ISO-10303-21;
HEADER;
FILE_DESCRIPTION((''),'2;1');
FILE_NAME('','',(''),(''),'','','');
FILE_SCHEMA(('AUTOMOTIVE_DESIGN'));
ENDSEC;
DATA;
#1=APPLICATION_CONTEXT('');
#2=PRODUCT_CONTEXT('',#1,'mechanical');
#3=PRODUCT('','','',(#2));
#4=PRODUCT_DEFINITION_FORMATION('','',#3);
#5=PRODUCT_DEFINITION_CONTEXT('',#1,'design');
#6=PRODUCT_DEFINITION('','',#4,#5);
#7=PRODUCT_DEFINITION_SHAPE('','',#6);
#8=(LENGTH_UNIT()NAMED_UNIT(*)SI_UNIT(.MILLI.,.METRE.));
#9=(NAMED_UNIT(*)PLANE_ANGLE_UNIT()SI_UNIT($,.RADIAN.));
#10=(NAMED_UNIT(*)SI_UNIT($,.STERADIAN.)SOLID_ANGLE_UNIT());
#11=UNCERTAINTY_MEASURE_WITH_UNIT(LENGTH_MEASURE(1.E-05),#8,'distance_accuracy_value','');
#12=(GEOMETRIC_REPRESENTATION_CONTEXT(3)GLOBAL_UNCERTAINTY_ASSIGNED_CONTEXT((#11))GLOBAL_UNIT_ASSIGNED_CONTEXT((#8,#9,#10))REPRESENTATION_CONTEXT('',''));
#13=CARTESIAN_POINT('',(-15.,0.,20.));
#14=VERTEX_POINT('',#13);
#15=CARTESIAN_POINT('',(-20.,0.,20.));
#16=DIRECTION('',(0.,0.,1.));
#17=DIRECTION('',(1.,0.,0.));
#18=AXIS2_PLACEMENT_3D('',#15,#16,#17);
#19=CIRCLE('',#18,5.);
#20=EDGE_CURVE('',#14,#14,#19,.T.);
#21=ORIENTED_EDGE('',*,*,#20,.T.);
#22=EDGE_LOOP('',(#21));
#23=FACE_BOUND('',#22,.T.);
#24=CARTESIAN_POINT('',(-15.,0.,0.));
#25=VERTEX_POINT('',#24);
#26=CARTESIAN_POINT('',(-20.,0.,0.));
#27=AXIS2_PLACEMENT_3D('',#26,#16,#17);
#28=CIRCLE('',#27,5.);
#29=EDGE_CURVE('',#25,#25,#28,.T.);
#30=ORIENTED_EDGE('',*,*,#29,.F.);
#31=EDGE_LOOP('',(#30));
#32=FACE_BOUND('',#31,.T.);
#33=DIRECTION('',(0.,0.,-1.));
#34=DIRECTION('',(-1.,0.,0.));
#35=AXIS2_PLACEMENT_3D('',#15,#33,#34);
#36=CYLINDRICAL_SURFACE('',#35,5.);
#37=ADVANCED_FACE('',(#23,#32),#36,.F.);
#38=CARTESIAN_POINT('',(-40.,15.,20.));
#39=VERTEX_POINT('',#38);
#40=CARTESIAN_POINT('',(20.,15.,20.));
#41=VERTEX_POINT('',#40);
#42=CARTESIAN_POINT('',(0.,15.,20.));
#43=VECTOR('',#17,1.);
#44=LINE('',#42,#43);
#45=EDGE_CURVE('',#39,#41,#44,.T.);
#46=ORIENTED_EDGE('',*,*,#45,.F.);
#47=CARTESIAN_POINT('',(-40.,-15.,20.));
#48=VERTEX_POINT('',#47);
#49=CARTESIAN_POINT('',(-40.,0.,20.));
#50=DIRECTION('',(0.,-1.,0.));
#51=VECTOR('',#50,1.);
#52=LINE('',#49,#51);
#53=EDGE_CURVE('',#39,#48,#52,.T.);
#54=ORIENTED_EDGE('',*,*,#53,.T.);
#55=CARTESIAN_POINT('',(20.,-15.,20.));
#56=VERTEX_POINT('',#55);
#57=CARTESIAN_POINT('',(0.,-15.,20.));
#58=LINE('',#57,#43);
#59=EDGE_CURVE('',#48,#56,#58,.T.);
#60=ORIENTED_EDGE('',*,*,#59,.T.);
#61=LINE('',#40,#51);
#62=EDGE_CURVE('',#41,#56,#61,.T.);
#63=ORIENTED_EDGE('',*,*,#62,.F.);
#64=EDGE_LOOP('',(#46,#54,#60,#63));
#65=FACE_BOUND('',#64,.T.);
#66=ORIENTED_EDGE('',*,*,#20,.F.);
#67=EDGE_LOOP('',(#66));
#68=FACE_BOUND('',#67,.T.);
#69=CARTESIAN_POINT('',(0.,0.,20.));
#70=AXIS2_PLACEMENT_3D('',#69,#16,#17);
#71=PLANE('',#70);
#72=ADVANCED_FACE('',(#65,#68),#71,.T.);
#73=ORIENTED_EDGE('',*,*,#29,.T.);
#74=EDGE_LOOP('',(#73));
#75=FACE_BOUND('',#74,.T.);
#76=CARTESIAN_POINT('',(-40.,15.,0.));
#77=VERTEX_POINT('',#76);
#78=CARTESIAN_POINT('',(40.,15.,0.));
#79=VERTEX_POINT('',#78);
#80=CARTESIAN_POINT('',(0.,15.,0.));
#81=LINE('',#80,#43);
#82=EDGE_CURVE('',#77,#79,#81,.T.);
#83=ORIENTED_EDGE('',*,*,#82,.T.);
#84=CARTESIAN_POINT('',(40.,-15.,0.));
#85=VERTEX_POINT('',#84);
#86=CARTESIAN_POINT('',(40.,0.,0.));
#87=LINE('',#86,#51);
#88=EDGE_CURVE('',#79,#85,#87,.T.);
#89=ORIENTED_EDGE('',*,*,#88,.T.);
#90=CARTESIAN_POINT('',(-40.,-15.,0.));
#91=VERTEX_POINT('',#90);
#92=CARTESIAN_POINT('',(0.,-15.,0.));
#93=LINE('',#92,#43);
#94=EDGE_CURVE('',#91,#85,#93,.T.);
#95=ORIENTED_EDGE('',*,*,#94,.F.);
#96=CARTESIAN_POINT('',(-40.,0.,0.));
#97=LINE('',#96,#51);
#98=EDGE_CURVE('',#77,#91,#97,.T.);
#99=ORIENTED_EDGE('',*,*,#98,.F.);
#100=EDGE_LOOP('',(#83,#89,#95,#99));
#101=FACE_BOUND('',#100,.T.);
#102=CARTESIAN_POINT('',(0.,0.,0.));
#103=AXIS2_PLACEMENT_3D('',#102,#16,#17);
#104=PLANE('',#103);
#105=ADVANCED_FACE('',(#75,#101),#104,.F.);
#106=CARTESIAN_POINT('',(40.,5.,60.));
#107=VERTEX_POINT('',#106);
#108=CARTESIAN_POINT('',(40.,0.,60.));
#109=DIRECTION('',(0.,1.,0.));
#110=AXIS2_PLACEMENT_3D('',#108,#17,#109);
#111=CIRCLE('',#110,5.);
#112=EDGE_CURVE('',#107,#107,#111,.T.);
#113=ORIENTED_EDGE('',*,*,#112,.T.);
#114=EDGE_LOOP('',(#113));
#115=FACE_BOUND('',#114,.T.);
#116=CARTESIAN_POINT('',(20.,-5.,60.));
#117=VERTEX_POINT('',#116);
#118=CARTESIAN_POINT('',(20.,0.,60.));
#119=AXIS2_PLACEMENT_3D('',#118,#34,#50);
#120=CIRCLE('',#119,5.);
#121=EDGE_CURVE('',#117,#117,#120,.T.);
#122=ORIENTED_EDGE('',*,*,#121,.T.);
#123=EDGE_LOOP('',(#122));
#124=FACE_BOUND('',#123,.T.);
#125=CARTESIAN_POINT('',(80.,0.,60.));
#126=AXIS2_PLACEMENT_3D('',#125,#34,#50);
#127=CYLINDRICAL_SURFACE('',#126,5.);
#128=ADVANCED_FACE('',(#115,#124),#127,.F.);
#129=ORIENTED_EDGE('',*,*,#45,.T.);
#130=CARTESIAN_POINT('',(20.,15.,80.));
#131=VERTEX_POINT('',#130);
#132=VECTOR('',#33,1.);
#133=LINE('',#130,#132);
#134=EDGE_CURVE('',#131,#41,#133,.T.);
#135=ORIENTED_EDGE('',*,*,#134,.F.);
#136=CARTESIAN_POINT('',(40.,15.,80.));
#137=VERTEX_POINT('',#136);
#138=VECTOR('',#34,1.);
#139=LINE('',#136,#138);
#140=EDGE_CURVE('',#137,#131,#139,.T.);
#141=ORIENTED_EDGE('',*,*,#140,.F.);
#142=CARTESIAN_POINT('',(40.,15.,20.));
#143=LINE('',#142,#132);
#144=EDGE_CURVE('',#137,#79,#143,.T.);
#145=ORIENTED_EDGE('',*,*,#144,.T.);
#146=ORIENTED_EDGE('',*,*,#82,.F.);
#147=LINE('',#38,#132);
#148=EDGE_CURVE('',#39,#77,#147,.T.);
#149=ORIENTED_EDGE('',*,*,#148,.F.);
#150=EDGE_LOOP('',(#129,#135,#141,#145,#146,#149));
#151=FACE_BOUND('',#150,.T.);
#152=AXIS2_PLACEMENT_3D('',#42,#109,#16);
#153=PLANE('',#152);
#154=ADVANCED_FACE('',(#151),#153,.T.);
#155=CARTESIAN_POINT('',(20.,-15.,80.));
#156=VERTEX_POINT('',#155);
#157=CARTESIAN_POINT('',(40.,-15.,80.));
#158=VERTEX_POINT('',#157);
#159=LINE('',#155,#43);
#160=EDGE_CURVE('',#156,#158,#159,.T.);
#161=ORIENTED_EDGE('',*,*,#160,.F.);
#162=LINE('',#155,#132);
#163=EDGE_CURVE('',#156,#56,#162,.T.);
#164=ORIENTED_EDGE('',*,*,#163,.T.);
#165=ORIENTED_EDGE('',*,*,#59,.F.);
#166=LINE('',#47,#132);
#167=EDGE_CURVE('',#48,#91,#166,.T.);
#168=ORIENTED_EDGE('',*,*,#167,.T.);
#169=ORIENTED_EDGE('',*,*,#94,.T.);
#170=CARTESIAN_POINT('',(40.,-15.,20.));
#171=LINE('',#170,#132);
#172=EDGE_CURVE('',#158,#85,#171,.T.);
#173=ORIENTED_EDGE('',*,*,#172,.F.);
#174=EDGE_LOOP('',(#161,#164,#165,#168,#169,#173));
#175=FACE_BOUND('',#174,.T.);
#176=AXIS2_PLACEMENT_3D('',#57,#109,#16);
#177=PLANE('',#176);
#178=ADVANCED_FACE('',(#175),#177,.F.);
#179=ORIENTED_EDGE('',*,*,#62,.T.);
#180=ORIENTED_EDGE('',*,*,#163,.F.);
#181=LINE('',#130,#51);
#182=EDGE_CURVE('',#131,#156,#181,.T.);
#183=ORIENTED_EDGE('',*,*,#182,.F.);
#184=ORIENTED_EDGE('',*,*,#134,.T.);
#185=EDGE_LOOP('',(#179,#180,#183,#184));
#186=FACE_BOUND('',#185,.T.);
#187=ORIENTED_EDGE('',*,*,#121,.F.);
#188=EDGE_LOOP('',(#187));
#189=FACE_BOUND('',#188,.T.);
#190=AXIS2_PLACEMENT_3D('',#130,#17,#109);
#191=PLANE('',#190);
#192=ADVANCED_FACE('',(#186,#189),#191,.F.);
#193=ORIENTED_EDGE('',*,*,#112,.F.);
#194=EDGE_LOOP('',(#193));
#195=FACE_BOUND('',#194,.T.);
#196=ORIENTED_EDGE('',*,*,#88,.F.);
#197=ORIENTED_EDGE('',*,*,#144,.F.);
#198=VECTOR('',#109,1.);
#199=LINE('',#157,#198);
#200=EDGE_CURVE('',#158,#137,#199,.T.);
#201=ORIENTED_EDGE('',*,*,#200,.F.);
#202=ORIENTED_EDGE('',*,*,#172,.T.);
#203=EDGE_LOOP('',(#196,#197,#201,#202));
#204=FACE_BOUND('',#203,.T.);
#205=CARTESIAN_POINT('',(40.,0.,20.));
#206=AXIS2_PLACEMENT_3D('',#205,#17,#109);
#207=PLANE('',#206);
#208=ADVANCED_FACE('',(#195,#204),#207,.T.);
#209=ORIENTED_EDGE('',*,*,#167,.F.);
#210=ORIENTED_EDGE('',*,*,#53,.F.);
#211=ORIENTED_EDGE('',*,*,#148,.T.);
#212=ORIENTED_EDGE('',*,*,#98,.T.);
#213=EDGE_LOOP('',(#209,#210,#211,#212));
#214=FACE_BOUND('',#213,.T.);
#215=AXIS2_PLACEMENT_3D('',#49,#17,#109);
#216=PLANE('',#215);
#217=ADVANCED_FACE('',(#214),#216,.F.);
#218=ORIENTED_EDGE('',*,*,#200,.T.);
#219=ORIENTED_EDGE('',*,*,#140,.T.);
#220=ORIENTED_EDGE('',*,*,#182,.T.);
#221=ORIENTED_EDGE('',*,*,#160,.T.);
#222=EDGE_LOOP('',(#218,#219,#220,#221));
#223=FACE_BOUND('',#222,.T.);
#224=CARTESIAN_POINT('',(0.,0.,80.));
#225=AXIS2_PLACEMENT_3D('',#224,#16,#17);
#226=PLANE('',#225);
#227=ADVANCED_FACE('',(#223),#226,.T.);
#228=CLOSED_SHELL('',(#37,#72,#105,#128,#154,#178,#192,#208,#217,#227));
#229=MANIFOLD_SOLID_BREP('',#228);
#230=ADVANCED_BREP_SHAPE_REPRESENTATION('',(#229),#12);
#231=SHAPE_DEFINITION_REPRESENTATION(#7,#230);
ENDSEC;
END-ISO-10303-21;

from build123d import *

# Parameters (mm, degrees)
SKETCH1_R           = 5
BOSS_EXTRUDE1_DEPTH = 20
SKETCH2_W           = 20
SKETCH2_H           = 30
BOSS_EXTRUDE2_DEPTH = 60
SKETCH3_R           = 5
CUT_EXTRUDE1_DEPTH  = 60


with BuildPart() as part:
    # Sketch1 → Boss-Extrude1 (new body)
    with BuildSketch(Plane.XY):
        Polygon((-20, 15), (-40, 15), (-40, -15), (40, -15), (40, 15), align=None)
        with Locations((-20, 0)):
            Circle(SKETCH1_R, mode=Mode.SUBTRACT)
    extrude(amount=BOSS_EXTRUDE1_DEPTH)

    # Sketch2 → Boss-Extrude2 (add)
    with BuildSketch(Plane.XY.offset(20)):
        with Locations((30, 0)):
            Rectangle(SKETCH2_W, SKETCH2_H)
    extrude(amount=BOSS_EXTRUDE2_DEPTH)

    # Sketch3 → Cut-Extrude1 (cut)
    with BuildSketch(Plane.ZY.offset(-20)):
        with Locations(Location((60, 0, 0), (0, 0, 270))):
            Circle(SKETCH3_R)
    extrude(amount=-CUT_EXTRUDE1_DEPTH, mode=Mode.SUBTRACT)


solid = part.part
